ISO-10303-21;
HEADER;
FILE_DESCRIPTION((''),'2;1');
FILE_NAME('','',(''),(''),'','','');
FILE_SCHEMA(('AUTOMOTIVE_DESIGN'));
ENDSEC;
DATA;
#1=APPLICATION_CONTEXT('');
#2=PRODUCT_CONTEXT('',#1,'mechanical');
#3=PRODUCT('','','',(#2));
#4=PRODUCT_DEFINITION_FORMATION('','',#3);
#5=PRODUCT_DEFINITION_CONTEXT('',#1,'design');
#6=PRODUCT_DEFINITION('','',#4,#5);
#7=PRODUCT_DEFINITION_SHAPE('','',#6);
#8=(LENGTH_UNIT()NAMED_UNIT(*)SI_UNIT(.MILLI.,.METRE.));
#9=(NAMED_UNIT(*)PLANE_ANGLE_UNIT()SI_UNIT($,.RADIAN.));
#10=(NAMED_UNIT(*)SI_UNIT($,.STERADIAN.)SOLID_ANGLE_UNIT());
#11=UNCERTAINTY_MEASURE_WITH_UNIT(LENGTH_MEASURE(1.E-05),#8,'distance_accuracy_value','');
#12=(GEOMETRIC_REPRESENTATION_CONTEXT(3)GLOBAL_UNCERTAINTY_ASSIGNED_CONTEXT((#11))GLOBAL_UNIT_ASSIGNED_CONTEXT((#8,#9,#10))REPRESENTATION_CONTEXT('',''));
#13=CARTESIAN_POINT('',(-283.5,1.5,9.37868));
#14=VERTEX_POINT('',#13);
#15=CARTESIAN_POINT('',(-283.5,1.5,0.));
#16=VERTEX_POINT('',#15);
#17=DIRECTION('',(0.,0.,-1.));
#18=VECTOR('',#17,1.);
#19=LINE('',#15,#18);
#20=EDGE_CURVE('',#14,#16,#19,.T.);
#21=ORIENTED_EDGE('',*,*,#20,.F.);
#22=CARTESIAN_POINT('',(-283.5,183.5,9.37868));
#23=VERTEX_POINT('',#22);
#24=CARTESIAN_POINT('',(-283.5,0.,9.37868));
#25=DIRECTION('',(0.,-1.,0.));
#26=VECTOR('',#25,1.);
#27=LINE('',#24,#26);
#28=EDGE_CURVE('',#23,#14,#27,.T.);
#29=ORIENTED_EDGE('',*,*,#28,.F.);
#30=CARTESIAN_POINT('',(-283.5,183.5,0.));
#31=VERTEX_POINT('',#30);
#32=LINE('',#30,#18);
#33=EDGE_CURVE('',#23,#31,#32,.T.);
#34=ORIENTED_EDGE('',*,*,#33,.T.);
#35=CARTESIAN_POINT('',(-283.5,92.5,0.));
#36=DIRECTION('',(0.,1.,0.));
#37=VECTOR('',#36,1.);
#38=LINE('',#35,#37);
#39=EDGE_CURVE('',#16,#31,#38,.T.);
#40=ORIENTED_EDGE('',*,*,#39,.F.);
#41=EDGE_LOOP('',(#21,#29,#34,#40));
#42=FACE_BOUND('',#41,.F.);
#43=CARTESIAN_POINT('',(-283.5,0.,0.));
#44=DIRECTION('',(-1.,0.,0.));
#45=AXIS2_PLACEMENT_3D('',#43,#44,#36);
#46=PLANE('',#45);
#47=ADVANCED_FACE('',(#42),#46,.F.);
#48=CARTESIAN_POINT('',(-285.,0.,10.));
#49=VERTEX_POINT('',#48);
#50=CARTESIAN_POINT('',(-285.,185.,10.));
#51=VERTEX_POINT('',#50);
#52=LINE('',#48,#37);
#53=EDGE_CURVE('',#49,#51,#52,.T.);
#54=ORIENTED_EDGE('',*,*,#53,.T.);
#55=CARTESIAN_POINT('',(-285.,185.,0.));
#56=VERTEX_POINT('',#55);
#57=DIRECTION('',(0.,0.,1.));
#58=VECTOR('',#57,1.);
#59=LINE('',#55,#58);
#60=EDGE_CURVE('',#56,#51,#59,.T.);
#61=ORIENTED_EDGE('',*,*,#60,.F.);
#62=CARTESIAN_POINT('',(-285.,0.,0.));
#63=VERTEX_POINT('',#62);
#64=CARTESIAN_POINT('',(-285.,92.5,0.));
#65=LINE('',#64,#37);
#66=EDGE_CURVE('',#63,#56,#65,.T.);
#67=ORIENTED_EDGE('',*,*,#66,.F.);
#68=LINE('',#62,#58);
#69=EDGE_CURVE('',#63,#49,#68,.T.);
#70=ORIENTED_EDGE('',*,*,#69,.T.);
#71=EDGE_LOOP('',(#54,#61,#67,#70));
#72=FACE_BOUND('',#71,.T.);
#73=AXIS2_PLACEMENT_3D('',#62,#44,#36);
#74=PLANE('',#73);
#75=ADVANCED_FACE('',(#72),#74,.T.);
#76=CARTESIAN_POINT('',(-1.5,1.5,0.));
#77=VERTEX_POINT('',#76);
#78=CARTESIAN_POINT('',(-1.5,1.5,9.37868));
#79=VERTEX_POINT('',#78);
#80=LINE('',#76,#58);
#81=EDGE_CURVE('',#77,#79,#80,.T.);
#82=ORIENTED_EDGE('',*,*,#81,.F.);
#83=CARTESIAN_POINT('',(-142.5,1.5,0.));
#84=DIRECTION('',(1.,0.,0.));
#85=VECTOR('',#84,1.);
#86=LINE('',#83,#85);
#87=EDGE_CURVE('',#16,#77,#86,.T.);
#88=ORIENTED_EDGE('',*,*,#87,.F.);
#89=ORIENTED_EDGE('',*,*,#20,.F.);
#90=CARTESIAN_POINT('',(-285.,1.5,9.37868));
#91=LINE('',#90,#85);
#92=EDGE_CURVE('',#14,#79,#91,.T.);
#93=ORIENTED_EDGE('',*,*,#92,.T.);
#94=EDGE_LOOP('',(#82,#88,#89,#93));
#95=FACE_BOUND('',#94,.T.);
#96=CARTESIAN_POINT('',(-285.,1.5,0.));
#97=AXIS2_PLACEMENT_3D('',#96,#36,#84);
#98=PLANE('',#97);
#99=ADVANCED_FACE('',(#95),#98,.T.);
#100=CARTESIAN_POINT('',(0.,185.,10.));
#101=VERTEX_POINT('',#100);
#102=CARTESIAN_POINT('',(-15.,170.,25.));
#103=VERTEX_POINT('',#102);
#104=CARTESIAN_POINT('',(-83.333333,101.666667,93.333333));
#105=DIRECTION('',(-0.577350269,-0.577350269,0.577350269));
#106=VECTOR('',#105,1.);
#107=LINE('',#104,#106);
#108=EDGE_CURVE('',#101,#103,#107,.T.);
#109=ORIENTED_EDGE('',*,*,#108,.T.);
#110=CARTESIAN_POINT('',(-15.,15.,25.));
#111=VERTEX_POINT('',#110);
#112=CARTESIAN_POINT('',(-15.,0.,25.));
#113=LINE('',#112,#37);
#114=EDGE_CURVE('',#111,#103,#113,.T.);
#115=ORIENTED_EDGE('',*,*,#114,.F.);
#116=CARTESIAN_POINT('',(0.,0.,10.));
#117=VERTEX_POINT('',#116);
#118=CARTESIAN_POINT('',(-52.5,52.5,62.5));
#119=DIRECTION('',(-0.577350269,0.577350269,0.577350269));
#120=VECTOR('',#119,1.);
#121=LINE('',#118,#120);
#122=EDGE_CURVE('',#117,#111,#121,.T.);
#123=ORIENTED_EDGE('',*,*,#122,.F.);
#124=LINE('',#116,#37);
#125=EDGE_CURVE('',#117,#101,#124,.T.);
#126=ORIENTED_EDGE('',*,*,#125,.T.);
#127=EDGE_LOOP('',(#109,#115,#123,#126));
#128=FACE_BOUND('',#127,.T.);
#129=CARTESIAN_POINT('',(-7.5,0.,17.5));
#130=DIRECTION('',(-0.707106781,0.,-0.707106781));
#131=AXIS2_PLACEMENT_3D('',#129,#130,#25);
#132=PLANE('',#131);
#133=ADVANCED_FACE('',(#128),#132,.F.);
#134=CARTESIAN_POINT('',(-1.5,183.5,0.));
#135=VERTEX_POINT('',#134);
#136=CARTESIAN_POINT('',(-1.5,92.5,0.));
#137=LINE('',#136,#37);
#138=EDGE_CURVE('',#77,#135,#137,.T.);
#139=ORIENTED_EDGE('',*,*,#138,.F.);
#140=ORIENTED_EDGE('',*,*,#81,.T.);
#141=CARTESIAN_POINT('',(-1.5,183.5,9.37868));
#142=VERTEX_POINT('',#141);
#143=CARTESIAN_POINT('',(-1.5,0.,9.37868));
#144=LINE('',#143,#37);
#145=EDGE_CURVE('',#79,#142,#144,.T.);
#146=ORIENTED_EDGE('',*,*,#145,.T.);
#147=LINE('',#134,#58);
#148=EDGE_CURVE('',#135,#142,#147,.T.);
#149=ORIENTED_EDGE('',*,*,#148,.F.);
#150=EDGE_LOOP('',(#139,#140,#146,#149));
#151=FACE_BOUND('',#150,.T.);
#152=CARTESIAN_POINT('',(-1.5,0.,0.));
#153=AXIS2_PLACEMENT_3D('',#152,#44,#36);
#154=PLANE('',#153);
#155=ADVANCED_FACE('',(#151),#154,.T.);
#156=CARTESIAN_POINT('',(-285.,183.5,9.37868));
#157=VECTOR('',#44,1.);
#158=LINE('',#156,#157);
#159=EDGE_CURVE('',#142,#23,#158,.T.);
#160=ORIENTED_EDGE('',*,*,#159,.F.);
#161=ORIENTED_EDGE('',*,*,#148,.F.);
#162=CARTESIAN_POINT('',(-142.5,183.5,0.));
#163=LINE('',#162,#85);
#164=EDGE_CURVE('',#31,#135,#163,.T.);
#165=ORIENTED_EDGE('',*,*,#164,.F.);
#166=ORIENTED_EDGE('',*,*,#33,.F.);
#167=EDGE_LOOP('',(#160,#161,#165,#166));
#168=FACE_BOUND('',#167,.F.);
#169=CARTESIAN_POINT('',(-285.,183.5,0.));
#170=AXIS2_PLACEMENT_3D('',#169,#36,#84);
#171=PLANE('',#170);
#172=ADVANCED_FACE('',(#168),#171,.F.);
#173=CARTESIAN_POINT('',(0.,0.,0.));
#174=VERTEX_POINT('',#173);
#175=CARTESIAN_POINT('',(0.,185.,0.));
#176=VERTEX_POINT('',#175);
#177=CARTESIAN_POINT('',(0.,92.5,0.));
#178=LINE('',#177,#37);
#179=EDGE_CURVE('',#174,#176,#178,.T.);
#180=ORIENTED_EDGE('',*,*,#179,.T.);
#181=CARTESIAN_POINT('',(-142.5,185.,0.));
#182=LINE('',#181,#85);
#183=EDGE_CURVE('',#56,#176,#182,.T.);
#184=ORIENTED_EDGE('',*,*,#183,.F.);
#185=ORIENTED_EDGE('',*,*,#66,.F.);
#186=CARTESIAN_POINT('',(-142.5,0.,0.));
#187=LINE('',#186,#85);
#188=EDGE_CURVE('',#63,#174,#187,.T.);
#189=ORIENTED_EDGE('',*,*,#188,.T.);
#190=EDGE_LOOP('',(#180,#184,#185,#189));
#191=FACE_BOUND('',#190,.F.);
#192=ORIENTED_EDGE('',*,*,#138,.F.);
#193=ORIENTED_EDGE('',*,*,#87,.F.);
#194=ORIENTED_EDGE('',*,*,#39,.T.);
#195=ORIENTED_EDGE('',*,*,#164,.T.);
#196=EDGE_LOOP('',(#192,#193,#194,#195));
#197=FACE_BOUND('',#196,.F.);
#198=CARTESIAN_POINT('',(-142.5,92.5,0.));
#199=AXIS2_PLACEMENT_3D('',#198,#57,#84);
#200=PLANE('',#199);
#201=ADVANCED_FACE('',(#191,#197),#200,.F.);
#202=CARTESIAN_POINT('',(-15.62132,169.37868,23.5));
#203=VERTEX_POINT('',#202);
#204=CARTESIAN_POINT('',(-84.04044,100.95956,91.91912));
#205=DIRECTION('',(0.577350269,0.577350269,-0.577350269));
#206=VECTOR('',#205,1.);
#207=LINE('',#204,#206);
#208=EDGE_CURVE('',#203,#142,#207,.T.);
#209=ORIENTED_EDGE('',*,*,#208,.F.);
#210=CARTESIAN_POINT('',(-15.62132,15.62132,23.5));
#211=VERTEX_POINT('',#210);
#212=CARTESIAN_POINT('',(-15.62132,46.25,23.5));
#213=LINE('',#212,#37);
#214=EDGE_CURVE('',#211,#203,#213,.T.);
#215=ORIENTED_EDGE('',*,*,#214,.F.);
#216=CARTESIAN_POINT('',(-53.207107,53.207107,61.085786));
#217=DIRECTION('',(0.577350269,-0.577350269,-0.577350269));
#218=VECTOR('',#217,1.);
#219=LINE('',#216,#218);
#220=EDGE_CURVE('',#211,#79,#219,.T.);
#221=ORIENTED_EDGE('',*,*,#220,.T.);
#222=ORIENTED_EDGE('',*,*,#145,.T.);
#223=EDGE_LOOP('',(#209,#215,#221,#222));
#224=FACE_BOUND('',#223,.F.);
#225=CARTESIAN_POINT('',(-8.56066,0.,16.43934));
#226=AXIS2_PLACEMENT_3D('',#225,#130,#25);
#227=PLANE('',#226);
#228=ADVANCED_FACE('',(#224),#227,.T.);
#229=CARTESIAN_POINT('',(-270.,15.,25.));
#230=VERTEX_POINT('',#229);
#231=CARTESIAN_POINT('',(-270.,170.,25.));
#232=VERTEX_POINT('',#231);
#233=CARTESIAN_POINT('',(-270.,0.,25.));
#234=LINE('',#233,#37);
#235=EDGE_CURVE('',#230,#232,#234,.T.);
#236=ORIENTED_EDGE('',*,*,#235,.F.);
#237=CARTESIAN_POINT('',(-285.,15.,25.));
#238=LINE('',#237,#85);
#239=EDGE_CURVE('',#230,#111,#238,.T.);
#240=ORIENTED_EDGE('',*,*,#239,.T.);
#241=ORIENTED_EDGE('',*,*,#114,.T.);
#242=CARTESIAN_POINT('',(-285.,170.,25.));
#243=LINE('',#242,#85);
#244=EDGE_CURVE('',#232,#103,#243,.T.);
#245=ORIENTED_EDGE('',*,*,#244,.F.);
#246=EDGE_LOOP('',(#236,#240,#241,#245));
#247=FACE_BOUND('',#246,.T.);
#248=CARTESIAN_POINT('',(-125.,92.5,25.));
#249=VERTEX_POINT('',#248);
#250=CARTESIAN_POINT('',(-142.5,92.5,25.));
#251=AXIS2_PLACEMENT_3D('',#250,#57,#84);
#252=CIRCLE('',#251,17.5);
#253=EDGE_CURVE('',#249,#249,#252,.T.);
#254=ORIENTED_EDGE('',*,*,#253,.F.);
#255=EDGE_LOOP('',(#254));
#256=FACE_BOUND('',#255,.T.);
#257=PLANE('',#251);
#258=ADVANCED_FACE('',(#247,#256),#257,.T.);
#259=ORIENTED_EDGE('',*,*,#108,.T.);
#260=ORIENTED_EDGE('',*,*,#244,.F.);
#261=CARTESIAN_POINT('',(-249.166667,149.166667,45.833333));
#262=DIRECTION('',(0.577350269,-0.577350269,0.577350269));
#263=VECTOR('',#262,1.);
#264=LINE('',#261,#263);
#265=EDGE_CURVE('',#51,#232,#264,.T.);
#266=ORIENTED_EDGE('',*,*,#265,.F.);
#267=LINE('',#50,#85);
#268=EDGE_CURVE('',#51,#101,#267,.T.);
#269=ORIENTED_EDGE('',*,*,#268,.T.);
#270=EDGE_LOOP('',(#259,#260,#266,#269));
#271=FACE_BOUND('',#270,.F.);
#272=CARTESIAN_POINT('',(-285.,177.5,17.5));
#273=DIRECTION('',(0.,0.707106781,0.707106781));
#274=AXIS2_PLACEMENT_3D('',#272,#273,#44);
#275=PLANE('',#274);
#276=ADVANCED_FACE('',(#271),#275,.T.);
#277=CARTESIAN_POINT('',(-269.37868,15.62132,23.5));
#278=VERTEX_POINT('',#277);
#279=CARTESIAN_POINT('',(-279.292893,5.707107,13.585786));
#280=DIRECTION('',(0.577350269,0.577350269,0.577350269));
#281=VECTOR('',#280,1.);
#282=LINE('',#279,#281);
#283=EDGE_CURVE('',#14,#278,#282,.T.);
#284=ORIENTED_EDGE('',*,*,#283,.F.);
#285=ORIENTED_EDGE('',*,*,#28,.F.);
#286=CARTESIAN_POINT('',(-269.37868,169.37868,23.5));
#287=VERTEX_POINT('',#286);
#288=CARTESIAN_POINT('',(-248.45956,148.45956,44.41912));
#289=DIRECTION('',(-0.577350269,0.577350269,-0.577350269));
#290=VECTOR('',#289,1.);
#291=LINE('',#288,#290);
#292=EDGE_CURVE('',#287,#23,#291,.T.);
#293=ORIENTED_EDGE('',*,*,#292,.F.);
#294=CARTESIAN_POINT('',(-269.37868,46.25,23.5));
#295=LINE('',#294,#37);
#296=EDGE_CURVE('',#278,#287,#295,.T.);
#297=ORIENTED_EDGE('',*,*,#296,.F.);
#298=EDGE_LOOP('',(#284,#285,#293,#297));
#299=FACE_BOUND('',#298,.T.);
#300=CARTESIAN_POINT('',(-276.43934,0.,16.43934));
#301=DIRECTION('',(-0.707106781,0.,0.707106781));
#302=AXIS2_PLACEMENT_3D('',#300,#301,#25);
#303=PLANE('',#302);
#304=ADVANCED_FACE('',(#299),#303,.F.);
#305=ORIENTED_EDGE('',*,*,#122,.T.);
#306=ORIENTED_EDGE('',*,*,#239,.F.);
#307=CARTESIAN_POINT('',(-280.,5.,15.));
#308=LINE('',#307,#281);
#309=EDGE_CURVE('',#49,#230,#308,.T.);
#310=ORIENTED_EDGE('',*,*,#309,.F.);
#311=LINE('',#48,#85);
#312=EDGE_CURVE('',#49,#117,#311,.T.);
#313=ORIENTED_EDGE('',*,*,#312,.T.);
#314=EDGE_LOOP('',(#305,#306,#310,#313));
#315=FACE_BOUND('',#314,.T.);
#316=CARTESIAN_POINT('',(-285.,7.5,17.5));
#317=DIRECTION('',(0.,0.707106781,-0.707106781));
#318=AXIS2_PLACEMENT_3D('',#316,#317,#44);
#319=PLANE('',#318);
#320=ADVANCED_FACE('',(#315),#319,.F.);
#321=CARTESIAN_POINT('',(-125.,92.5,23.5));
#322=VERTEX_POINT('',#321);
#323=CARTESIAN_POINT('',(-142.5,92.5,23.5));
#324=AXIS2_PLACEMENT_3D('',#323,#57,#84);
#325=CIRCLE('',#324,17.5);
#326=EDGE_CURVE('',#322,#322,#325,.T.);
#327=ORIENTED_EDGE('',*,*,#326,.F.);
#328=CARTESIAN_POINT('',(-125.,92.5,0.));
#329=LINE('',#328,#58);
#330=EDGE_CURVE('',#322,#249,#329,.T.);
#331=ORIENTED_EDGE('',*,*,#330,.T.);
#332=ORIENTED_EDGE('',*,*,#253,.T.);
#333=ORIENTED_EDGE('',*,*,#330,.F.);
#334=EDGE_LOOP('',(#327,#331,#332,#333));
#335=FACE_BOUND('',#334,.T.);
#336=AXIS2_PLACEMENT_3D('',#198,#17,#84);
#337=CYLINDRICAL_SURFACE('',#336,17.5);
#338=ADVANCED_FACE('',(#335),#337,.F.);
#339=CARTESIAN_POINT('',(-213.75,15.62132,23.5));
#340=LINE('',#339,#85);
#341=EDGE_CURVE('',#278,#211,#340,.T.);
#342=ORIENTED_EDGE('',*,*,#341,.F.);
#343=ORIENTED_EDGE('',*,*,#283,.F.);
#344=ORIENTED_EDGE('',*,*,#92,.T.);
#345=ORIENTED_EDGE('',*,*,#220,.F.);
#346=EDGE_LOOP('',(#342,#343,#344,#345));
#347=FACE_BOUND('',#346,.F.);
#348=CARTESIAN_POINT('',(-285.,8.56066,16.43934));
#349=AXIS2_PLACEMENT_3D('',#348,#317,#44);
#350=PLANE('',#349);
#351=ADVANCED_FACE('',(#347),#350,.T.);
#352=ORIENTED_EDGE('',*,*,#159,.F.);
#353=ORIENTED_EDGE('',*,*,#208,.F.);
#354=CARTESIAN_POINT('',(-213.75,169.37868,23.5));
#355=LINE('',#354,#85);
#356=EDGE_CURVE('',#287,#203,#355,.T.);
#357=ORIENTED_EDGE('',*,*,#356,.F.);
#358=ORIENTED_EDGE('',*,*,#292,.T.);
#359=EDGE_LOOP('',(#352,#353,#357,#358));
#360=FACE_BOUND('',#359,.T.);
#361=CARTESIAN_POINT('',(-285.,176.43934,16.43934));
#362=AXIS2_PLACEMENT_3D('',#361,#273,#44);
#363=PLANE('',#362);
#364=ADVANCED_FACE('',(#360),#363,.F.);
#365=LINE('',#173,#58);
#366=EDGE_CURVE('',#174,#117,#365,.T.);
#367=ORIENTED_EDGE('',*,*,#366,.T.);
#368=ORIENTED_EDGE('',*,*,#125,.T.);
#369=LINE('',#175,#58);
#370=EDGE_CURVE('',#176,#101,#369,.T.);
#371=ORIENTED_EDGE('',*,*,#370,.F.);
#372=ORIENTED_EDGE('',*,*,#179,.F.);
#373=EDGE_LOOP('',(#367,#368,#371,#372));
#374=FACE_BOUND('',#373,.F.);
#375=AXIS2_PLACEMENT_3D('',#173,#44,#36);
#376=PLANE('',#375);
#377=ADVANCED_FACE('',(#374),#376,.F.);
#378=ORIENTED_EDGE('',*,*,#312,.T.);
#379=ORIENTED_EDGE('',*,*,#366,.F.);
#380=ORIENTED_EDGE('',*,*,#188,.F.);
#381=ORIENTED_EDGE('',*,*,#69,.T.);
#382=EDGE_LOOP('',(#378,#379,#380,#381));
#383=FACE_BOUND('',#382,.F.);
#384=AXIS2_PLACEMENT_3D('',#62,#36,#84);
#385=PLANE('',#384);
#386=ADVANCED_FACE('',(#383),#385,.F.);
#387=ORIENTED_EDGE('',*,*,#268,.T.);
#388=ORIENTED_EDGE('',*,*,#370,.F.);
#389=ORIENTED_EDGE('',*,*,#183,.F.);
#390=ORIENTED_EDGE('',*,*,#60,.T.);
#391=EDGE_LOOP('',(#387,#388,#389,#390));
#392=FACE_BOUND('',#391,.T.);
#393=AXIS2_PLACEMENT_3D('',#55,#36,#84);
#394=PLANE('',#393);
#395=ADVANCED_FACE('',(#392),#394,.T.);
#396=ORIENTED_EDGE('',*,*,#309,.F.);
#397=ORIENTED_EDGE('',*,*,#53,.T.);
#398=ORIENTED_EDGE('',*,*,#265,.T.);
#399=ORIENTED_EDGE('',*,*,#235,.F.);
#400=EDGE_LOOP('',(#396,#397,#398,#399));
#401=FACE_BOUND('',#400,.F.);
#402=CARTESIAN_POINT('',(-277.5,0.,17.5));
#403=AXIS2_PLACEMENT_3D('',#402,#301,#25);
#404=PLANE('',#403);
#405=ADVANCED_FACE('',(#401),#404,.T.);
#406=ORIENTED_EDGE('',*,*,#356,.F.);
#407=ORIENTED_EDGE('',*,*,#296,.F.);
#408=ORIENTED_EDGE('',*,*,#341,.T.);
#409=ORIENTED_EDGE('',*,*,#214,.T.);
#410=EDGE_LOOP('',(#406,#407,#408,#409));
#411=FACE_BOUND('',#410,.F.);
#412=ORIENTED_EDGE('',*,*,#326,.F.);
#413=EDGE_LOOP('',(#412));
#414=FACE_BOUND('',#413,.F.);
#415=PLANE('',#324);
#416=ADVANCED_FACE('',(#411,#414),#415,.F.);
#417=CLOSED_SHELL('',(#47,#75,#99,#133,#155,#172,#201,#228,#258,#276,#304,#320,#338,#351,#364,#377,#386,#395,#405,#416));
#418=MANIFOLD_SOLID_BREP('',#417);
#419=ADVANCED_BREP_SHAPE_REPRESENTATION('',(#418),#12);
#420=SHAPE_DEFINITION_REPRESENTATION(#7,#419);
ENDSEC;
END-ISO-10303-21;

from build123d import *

# Parameters (mm, degrees)
F0_W     = 285
F0_H     = 185
F0_R     = 17.5
F1_DEPTH = 25
F2_SIZE  = 15
F3_T     = -1.5


with BuildPart() as f1:
    # F0 (on Top) → F1 (new body)
    with BuildSketch(Plane.XY):
        with Locations((-142.5, 92.5)):
            Rectangle(F0_W, F0_H)
        with Locations((-142.5, 92.5)):
            Circle(F0_R, mode=Mode.SUBTRACT)
    extrude(amount=F1_DEPTH)

    # F2
    f2_edges = [f1.edges().sort_by_distance(p)[0] for p in [
        (0, 92.5, 25),
        (-142.5, 185, 25),
        (-285, 92.5, 25),
        (-142.5, 0, 25),
    ]]
    chamfer(f2_edges, length=F2_SIZE)

    # F3
    f3_openings = [f1.faces().sort_by_distance(p)[0] for p in [
        (-142.5, 3.397793, 0),
        (-160, 92.5, 12.5),
    ]]
    offset(amount=F3_T, openings=f3_openings)


solid = f1.part
